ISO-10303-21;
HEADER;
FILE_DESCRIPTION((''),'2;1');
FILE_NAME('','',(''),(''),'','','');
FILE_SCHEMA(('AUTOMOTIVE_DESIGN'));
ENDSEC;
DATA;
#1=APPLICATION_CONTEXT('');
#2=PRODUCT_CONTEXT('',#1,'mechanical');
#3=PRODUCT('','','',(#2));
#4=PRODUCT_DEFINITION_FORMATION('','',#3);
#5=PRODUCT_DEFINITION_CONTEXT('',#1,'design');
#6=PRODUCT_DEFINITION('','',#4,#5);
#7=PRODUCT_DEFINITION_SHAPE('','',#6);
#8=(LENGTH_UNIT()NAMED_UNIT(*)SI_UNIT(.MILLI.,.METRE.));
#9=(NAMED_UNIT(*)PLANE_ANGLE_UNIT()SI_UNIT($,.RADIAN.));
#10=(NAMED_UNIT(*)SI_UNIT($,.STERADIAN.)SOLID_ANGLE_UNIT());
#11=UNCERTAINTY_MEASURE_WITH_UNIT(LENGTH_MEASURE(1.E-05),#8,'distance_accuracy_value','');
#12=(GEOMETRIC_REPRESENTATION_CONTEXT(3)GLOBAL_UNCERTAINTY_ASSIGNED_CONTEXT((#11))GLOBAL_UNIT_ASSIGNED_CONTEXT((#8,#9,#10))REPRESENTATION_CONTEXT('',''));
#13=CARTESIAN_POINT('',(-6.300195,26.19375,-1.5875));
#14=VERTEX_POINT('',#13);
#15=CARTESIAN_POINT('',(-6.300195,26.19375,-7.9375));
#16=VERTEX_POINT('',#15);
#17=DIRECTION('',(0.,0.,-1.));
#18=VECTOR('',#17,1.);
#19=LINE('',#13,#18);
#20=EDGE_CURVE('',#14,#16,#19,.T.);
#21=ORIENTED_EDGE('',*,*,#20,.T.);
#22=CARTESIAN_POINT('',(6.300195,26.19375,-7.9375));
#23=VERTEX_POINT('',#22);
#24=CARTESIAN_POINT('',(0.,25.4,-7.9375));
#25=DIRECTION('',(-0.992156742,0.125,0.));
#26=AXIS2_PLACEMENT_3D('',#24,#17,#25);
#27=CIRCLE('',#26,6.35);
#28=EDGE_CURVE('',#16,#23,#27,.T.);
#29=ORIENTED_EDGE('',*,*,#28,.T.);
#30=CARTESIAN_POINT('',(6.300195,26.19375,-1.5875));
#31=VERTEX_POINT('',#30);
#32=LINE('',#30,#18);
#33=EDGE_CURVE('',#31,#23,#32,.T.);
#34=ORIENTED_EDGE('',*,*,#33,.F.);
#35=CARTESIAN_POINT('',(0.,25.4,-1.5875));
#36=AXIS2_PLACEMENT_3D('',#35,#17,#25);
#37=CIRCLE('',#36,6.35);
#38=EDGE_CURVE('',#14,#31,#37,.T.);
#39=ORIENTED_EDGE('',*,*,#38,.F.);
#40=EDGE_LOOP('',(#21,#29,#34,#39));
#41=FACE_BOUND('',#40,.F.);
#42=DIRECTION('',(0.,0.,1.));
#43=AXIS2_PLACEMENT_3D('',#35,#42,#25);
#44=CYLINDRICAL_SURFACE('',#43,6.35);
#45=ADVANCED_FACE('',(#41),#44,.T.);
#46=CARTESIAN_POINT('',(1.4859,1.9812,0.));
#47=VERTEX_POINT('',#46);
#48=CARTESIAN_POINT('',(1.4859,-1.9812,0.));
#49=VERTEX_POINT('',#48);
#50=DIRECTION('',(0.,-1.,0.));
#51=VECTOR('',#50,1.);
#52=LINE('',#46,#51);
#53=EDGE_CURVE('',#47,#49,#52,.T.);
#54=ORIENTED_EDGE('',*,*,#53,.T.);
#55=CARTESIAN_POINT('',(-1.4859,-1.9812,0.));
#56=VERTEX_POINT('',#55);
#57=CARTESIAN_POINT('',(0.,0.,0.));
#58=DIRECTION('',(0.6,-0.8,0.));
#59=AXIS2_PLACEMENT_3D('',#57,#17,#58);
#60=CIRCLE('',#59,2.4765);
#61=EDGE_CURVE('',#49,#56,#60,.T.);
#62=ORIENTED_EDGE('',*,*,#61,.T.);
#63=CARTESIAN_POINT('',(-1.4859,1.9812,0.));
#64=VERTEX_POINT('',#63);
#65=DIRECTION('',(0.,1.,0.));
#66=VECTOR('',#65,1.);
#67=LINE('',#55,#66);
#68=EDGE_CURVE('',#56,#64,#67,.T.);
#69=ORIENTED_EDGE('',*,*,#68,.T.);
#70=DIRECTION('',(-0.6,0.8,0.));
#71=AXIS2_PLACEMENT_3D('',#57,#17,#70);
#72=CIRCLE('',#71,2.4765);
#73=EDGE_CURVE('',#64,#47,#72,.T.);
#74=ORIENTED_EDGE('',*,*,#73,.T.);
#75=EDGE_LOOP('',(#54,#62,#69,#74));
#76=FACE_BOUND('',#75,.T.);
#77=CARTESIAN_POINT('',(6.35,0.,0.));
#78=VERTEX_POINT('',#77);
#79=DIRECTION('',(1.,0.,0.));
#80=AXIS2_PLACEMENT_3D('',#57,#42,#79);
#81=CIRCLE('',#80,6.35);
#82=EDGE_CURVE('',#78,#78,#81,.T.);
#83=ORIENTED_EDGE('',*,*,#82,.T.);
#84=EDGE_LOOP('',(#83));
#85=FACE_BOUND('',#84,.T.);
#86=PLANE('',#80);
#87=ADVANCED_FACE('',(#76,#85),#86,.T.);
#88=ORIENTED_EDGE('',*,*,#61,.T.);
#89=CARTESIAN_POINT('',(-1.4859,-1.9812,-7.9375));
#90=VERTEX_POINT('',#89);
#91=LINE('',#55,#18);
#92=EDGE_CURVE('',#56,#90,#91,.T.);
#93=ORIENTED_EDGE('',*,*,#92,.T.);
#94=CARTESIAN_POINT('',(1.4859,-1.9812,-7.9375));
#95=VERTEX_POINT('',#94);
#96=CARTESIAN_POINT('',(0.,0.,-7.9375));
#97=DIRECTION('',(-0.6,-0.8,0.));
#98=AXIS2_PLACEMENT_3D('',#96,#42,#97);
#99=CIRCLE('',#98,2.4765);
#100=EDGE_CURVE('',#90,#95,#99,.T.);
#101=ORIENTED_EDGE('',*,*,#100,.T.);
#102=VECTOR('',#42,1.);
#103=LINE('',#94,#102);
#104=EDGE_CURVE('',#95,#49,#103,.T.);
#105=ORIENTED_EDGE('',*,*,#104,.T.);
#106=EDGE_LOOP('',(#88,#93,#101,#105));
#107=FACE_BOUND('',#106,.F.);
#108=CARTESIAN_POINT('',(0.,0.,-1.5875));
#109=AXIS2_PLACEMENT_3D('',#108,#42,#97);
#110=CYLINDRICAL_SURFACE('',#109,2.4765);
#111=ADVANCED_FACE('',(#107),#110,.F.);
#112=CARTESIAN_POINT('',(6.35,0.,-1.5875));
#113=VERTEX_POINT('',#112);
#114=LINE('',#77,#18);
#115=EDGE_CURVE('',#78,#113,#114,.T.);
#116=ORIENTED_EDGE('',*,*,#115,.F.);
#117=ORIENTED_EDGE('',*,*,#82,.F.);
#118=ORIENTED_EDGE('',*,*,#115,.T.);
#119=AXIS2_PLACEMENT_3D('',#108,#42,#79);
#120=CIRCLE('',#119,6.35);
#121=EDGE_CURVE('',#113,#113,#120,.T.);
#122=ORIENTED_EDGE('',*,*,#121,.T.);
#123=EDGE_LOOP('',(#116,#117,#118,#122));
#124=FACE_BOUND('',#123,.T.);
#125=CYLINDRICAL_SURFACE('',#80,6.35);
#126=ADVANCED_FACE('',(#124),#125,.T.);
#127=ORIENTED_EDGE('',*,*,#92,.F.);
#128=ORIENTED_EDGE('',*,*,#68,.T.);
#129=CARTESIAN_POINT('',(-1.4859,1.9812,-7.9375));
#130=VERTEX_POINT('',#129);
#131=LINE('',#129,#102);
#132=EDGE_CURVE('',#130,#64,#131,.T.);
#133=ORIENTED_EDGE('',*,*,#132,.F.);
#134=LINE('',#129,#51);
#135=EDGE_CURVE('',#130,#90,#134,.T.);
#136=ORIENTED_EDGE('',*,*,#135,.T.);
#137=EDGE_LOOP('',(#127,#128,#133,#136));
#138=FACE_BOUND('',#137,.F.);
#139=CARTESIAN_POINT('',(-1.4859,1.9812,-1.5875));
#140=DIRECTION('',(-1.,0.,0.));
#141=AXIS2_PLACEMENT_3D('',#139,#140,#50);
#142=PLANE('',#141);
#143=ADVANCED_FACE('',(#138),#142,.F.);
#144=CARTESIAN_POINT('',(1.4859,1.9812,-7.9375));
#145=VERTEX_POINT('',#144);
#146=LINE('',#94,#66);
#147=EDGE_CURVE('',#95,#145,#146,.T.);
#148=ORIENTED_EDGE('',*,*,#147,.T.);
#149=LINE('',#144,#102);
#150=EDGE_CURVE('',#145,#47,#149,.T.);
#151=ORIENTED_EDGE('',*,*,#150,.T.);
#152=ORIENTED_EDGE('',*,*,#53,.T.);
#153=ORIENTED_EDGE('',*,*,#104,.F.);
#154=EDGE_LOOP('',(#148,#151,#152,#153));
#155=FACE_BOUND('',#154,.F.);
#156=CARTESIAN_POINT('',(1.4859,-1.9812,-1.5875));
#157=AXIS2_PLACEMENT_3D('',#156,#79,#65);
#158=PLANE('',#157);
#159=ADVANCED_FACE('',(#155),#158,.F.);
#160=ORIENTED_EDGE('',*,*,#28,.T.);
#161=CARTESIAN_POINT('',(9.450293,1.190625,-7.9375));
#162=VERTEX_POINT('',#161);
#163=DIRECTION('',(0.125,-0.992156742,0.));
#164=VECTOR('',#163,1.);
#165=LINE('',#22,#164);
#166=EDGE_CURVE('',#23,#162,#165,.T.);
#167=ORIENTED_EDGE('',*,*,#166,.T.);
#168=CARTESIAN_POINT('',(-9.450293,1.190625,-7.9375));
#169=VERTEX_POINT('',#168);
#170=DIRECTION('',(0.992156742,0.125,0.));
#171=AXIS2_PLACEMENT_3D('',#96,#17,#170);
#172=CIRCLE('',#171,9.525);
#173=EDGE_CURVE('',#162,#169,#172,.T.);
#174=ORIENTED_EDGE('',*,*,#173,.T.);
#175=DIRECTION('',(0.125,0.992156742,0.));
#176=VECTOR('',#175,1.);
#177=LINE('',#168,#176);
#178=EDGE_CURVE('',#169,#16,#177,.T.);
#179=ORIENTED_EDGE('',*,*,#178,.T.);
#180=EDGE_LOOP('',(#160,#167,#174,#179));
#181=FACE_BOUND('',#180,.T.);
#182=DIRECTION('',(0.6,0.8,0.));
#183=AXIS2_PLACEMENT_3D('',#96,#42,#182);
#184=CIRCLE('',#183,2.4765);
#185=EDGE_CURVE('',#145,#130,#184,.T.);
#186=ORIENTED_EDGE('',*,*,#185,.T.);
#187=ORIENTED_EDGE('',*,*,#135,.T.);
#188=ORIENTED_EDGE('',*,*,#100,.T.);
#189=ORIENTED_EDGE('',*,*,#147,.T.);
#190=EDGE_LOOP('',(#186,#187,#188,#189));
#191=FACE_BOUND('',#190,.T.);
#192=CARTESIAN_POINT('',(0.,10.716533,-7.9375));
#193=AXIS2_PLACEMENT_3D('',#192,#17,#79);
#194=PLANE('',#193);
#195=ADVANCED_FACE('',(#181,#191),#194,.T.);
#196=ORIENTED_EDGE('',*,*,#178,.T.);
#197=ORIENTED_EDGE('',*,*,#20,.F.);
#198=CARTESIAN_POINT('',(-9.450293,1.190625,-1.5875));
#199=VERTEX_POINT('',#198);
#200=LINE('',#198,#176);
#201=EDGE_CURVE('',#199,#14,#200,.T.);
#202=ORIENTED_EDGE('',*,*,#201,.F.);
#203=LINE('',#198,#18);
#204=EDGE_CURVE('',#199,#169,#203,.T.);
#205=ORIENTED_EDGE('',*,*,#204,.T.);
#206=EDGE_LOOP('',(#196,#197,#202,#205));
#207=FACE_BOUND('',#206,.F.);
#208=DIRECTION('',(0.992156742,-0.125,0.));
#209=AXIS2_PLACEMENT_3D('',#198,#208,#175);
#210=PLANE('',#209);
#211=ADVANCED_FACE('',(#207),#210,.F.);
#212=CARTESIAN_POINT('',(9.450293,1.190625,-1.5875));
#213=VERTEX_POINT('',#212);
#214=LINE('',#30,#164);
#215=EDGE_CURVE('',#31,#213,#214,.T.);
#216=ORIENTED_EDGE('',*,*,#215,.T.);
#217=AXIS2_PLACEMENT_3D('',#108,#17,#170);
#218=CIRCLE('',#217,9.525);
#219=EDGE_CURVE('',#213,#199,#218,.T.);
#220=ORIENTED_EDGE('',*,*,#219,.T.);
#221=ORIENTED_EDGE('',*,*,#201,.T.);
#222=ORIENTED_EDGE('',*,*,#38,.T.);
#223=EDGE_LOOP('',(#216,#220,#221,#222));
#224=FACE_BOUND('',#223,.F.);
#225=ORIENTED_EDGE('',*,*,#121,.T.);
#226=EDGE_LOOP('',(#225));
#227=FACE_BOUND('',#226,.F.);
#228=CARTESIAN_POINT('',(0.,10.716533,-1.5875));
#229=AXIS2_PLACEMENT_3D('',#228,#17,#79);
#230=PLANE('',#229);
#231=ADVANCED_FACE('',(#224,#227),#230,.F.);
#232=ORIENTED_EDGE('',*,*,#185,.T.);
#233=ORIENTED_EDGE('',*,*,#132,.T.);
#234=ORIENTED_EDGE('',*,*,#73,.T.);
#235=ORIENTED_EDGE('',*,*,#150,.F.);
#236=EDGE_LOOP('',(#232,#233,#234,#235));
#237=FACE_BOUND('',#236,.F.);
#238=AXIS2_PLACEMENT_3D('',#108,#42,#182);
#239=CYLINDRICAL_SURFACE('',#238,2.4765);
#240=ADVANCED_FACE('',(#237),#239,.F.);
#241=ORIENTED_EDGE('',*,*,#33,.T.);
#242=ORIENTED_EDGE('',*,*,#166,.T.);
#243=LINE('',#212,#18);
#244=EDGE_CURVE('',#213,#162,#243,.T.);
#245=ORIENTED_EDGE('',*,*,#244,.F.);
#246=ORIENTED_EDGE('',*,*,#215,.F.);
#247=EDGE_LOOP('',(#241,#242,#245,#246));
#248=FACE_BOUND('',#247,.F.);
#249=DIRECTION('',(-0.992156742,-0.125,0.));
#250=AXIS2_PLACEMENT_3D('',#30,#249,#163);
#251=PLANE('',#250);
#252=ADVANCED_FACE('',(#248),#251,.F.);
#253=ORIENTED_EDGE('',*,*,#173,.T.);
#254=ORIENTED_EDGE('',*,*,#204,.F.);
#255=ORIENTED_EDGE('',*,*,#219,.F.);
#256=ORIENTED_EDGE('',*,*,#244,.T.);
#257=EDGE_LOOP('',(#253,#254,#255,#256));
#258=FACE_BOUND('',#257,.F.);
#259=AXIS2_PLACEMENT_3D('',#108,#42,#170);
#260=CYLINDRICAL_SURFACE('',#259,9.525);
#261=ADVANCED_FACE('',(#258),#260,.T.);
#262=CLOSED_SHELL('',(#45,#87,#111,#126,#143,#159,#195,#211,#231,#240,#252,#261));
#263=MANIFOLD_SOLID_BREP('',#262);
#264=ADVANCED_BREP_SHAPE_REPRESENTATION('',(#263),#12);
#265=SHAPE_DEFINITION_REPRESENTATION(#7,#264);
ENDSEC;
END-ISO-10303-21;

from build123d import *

# Parameters (mm, degrees)
F0_R     = 6.35
F1_DEPTH = 1.5875
F2_R     = 6.35
F3_DEPTH = 6.35


with BuildPart() as f1:
    # F0 (on Top) → F1 (new body)
    with BuildSketch(Plane.XY):
        Circle(F0_R)
        with BuildLine():
            ThreePointArc((1.4859, -1.9812), (0, -2.4765), (-1.4859, -1.9812))
            Line((-1.4859, -1.9812), (-1.4859, 1.9812))
            ThreePointArc((-1.4859, 1.9812), (0, 2.4765), (1.4859, 1.9812))
            Line((1.4859, 1.9812), (1.4859, -1.9812))
        make_face(mode=Mode.SUBTRACT)
    extrude(amount=-F1_DEPTH)

    # F2 (on face) → F3 (join)
    with BuildSketch(Plane(origin=(0, 0, -1.5875), x_dir=(1, 0, 0), z_dir=(0, 0, -1))):
        with BuildLine():
            Line((6.3001953095, -26.19375), (9.4502929642, -1.190625))
            ThreePointArc((9.4502929642, -1.190625), (0, 9.525), (-9.4502929642, -1.190625))
            Line((-9.4502929642, -1.190625), (-6.3001953095, -26.19375))
            ThreePointArc((-6.3001953095, -26.19375), (0, -31.75), (6.3001953095, -26.19375))
        make_face()
        Circle(F2_R, mode=Mode.SUBTRACT)
        Circle(F2_R)
        with BuildLine():
            ThreePointArc((-1.4859, 1.9812), (0, 2.4765), (1.4859, 1.9812))
            Line((1.4859, 1.9812), (1.4859, -1.9812))
            ThreePointArc((1.4859, -1.9812), (0, -2.4765), (-1.4859, -1.9812))
            Line((-1.4859, -1.9812), (-1.4859, 1.9812))
        make_face(mode=Mode.SUBTRACT)
    extrude(amount=F3_DEPTH)


solid = f1.part
